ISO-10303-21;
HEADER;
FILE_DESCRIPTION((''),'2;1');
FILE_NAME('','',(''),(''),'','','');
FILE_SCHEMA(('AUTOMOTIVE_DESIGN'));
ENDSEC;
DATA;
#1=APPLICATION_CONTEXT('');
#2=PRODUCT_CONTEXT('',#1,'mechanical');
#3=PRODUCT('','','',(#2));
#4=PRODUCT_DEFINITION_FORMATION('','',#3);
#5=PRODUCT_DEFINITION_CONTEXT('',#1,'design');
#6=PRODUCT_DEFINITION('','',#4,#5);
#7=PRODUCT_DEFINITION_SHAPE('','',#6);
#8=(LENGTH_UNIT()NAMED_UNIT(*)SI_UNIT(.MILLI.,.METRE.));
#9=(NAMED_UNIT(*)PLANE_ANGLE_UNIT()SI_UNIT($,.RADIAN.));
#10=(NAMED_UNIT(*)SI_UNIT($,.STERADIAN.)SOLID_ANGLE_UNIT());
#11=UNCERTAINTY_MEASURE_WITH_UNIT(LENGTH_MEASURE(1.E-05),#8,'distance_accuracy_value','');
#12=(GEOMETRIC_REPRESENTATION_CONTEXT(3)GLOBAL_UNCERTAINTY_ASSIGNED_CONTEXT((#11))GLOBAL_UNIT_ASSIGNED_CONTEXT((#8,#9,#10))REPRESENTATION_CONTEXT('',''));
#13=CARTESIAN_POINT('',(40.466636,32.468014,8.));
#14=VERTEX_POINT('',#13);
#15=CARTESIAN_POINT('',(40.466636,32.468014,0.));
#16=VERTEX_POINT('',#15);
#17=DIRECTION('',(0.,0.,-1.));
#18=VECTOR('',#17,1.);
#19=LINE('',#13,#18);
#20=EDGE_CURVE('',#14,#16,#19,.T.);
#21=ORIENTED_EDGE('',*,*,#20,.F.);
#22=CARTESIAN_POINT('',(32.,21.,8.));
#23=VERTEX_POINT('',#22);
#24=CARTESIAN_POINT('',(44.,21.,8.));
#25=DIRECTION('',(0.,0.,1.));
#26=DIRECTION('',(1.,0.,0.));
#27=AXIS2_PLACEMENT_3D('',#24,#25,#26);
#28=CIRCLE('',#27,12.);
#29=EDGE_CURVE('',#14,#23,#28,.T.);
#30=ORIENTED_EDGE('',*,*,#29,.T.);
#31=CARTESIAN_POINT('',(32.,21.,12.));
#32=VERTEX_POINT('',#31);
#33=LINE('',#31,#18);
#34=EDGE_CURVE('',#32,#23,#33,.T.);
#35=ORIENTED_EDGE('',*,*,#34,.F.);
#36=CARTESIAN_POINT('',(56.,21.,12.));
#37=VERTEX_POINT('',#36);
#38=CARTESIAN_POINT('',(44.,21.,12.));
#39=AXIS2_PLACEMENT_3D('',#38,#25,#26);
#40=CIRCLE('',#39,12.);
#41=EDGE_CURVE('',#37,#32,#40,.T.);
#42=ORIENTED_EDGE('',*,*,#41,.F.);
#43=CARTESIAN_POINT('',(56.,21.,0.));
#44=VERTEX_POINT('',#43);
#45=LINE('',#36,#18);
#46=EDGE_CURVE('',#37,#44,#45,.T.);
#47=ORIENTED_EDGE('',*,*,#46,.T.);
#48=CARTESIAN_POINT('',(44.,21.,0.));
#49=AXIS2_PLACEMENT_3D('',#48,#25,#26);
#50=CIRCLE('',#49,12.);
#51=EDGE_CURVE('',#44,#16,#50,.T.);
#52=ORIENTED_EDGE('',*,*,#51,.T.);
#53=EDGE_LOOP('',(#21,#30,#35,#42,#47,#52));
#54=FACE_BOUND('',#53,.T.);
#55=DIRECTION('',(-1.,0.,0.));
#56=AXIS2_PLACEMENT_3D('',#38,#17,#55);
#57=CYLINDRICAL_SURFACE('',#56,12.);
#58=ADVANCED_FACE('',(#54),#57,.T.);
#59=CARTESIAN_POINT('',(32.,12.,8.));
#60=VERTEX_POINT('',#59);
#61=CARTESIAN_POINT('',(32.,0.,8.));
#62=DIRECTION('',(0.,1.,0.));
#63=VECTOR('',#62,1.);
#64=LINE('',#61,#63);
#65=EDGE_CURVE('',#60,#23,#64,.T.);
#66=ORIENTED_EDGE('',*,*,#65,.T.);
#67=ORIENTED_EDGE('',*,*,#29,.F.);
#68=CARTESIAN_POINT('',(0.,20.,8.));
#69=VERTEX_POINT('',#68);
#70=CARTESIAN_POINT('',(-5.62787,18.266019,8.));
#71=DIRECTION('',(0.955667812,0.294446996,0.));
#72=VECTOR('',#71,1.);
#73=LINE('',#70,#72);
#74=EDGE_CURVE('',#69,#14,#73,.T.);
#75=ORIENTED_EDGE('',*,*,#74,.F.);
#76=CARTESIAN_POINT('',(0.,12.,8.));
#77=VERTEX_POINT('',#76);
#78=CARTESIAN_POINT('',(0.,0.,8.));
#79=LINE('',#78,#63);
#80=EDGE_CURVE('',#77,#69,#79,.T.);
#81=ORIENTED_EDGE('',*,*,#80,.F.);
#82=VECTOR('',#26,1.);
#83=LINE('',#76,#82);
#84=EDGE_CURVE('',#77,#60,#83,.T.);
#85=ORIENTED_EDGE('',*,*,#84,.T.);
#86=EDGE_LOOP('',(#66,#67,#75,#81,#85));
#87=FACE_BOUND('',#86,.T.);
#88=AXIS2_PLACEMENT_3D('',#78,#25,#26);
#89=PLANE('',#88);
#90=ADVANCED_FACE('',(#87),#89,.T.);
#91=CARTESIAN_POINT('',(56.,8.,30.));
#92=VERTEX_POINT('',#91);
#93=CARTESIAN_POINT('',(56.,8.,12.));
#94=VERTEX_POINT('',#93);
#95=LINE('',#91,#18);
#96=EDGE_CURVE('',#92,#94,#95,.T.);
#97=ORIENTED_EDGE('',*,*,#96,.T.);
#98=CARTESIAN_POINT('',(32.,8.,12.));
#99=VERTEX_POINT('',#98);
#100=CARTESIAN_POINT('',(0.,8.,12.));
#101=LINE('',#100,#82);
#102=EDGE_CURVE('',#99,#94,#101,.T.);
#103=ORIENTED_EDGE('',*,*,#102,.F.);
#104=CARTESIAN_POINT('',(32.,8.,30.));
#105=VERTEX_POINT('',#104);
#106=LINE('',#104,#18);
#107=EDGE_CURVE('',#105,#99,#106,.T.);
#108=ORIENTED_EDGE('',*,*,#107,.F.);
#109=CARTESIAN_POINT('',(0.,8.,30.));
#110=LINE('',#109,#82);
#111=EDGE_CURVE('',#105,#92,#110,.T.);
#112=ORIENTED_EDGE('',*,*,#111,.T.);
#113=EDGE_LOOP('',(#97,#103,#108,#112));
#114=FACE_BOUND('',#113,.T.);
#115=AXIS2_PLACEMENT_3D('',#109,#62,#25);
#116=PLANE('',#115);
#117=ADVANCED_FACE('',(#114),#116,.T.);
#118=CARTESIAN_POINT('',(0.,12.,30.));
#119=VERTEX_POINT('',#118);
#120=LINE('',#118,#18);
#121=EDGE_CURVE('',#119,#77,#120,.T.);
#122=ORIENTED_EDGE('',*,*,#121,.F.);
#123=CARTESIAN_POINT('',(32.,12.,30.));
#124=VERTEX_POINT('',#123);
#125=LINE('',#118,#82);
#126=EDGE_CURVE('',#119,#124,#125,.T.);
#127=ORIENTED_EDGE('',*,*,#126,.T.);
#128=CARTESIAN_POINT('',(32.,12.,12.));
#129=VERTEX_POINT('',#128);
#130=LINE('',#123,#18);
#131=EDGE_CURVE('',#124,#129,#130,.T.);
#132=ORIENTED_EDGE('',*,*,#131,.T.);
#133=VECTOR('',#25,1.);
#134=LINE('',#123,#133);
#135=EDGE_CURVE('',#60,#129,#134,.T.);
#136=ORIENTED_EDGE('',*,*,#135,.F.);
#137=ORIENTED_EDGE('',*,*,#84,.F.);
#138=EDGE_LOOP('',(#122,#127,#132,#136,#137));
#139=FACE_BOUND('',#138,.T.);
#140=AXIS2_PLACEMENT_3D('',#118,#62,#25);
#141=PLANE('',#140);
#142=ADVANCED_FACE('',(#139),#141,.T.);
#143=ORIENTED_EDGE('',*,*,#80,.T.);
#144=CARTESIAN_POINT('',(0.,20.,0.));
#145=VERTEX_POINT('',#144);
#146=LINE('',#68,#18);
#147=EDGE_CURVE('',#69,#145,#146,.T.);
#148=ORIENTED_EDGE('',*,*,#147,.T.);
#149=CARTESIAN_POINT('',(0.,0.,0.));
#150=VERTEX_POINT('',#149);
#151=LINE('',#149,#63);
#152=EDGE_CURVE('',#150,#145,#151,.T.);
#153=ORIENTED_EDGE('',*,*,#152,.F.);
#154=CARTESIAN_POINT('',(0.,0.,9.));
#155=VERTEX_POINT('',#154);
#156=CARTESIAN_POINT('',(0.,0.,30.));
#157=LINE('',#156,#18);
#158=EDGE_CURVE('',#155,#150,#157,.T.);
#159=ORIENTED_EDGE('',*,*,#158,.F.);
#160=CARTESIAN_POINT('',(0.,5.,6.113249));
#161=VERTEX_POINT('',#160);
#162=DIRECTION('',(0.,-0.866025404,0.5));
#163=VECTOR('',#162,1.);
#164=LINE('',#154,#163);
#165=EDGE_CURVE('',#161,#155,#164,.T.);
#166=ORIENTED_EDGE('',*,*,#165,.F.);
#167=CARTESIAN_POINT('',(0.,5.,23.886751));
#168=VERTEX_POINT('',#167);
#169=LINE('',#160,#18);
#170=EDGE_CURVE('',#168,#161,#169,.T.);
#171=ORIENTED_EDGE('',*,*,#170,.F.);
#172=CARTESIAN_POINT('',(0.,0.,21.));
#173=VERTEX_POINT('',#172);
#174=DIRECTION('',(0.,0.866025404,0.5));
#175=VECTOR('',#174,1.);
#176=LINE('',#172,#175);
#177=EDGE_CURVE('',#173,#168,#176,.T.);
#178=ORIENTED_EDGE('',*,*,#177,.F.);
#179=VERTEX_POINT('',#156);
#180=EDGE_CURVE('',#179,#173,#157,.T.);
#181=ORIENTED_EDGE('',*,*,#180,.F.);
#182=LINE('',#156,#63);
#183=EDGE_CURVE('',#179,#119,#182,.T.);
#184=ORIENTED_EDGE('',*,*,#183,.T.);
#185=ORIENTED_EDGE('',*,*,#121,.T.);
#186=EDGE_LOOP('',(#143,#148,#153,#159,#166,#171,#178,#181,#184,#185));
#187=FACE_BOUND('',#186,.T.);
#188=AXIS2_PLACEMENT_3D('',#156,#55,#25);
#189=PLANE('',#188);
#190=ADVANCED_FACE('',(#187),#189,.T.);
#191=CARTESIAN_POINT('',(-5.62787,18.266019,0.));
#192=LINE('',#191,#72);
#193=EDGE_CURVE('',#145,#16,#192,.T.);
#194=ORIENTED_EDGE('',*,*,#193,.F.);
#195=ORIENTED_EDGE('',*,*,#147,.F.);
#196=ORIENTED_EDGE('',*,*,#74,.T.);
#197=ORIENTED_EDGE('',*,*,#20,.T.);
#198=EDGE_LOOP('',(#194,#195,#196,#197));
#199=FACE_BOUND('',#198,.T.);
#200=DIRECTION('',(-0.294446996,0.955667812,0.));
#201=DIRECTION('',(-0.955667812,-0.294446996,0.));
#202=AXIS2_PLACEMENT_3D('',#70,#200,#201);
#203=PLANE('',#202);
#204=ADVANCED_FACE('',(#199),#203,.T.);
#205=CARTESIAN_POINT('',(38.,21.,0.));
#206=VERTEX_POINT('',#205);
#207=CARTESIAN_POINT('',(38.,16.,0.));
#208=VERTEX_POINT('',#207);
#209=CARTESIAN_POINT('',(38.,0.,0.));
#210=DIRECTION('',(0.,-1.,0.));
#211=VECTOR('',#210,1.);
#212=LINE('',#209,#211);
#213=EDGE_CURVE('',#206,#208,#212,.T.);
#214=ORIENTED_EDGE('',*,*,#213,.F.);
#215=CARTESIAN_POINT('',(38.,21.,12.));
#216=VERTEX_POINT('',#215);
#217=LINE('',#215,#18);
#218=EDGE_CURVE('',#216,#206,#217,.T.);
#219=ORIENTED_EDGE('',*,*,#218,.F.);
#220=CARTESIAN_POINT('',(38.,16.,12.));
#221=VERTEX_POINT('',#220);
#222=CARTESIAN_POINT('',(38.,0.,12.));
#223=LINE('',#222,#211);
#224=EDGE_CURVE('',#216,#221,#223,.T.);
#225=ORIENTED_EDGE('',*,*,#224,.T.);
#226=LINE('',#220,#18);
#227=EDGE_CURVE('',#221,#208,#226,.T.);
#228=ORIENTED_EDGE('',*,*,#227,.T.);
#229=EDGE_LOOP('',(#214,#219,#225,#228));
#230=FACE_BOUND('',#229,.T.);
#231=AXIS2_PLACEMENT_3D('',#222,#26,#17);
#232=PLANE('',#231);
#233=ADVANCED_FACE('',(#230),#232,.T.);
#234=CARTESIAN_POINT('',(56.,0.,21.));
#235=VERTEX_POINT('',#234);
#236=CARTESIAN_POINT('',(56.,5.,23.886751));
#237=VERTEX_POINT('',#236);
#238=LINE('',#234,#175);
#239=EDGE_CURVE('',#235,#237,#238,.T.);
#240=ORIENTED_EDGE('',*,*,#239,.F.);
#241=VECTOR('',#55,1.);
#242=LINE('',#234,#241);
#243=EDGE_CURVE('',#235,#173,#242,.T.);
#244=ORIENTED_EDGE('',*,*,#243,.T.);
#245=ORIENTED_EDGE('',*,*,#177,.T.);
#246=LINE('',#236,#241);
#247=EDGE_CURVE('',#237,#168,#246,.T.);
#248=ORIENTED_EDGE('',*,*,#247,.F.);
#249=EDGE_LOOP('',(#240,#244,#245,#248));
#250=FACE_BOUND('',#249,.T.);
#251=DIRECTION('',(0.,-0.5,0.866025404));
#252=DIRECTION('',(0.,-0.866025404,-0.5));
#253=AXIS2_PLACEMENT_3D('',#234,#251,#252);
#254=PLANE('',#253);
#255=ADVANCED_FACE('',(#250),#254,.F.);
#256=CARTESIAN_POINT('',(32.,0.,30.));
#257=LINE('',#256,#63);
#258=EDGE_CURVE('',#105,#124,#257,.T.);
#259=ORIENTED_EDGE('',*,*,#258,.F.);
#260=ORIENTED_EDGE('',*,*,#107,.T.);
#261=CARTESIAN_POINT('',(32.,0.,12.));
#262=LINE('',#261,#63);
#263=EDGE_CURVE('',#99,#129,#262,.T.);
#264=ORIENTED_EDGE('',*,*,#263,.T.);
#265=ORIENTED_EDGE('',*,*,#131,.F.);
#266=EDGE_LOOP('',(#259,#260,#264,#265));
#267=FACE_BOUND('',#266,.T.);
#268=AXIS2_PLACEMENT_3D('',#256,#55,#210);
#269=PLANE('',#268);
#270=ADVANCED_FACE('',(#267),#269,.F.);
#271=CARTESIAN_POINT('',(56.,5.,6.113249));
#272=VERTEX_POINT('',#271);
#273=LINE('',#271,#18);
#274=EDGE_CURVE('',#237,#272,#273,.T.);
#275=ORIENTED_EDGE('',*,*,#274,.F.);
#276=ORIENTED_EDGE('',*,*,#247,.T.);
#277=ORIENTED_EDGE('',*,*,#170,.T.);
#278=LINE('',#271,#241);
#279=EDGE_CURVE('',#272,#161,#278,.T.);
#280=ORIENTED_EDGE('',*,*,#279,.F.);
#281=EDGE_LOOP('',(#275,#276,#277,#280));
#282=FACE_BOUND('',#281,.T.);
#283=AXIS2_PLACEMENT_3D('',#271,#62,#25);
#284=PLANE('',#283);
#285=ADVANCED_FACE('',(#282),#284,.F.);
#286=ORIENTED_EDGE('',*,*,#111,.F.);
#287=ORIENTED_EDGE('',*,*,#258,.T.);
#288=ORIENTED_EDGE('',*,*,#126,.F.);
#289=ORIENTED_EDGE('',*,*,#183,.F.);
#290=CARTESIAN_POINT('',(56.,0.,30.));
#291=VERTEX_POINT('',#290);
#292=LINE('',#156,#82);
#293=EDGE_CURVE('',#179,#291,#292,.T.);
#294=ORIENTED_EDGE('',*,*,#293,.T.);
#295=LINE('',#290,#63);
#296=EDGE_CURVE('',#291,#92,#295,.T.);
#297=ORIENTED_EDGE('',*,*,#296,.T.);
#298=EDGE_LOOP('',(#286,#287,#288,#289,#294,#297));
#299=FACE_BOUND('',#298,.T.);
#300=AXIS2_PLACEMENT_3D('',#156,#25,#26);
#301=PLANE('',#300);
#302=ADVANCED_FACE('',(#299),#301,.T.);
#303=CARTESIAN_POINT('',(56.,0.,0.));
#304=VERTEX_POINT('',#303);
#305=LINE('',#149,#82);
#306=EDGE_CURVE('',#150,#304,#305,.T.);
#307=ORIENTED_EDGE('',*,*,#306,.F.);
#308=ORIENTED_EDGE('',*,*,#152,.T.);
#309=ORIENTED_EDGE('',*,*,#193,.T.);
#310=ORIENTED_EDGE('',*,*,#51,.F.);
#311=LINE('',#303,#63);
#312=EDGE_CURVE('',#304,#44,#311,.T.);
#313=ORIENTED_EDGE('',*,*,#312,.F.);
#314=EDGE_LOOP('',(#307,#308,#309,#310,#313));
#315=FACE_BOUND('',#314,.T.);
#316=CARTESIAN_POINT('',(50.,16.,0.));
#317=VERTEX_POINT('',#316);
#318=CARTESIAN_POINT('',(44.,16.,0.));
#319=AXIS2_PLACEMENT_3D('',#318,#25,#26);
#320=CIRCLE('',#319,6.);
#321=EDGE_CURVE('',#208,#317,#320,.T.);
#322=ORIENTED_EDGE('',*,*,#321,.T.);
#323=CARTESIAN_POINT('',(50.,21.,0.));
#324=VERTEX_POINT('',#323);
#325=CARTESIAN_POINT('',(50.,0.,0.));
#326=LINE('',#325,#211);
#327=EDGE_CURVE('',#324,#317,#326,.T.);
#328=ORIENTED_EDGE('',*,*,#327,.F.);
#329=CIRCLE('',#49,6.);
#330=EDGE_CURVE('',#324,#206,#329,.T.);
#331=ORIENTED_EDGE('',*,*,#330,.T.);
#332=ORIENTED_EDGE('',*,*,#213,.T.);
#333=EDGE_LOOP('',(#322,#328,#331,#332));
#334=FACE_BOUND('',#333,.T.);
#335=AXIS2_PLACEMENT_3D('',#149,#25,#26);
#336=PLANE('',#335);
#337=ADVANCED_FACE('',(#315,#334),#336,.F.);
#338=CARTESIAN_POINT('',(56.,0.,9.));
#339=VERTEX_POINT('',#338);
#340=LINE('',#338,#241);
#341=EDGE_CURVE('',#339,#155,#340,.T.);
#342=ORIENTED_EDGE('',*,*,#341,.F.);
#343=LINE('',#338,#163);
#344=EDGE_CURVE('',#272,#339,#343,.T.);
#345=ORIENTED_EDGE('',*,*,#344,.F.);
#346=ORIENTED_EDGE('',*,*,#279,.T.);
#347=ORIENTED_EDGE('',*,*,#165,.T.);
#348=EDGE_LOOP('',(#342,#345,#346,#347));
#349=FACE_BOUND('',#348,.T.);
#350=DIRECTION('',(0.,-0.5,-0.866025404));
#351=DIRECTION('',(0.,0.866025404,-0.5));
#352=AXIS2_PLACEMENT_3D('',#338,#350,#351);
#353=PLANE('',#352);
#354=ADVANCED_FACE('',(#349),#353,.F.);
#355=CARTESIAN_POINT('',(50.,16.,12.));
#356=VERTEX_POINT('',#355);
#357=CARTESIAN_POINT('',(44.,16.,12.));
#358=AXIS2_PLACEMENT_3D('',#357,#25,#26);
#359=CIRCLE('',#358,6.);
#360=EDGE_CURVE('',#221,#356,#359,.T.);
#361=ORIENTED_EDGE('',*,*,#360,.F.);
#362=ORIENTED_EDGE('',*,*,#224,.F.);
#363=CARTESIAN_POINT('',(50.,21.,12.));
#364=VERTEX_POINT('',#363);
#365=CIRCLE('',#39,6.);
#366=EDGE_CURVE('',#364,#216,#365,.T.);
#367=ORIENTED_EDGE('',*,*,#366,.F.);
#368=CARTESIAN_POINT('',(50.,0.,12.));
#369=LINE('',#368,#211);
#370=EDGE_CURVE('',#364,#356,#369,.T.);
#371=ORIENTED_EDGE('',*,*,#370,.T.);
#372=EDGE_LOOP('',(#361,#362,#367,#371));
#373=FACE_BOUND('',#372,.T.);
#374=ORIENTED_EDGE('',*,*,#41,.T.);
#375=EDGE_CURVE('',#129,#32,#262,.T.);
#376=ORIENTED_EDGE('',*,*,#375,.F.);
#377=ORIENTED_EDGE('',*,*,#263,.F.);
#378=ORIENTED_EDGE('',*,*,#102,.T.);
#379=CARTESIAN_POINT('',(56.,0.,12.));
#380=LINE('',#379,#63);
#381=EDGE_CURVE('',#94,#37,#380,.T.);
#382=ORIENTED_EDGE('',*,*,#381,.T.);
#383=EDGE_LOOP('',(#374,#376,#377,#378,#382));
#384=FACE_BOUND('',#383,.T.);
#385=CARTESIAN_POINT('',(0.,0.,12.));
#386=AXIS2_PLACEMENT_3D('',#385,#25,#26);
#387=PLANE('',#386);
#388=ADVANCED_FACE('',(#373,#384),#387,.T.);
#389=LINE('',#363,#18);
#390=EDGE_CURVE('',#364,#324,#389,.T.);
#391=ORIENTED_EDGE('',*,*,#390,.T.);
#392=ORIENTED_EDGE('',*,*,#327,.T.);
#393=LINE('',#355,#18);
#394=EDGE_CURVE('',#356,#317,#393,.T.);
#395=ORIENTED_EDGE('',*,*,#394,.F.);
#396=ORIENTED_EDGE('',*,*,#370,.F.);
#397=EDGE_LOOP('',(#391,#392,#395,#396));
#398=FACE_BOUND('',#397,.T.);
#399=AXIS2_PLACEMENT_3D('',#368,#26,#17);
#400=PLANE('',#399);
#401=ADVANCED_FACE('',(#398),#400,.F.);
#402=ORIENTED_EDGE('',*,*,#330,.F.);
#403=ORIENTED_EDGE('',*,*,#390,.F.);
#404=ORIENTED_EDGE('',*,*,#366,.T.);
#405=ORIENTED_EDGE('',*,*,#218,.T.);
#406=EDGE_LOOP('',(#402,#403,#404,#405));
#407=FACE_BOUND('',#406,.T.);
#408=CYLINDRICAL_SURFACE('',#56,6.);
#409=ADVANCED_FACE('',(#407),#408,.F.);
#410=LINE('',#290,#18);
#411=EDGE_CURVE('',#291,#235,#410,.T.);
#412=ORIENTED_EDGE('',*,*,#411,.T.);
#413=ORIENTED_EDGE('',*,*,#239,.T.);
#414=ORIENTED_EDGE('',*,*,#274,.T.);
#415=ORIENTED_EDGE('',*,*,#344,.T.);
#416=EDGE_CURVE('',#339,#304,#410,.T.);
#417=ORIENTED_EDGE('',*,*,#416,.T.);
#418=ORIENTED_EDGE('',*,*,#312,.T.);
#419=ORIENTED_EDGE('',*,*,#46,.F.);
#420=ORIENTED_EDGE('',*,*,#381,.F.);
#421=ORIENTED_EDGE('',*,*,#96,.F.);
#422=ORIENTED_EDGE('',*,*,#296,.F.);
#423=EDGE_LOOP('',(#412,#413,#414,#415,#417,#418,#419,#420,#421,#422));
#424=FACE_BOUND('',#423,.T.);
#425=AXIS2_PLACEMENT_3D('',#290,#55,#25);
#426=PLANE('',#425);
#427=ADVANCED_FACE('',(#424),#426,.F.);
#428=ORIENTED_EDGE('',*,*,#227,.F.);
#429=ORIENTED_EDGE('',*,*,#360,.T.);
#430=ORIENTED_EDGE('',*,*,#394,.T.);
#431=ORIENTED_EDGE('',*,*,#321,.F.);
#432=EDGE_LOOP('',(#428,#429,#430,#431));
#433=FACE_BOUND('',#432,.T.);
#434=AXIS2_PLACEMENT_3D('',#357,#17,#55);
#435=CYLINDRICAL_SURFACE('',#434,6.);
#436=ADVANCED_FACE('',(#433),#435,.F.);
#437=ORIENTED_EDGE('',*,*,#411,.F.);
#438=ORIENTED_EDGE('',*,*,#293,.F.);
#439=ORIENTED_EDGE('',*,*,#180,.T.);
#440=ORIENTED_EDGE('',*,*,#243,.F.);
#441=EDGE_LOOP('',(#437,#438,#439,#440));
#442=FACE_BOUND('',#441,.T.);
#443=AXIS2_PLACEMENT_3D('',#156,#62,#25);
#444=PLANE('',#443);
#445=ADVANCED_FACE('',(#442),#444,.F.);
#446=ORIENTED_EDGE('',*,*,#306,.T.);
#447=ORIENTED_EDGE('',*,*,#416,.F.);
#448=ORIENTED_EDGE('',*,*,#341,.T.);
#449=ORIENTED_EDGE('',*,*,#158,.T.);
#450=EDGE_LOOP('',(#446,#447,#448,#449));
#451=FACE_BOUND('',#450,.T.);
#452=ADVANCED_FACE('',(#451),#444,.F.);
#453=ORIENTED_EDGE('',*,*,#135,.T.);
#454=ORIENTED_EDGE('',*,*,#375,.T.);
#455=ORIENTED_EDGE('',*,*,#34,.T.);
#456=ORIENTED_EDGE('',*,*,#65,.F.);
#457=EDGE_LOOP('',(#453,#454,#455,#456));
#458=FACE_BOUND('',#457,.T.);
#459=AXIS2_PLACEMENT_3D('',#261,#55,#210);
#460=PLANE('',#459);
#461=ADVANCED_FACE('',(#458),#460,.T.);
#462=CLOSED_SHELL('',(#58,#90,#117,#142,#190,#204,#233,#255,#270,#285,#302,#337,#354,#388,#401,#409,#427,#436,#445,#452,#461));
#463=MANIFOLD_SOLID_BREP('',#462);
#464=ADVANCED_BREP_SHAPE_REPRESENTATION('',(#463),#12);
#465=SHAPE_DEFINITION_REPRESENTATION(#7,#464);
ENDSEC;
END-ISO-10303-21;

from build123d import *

# Parameters (mm, degrees)
EXTRUDE_1_DEPTH     = 30
EXTRUDE_2_DEPTH     = 8
EXTRUDE_3_DEPTH     = 12
CUT_EXTRUDE_1_DEPTH = 72.589105316


with BuildPart() as part:
    # 草图1 → 凸台-拉伸1 (new body)
    with BuildSketch(Plane.XY):
        Polygon((0, 12), (0, 0), (56, 0), (56, 8), (32, 8), (32, 12), align=None)
    extrude(amount=EXTRUDE_1_DEPTH)

    # 草图1<4> → 凸台-拉伸2 (add)
    with BuildSketch(Plane.XY):
        with BuildLine():
            Line((0, 20), (0, 12))
            Line((0, 12), (32, 12))
            Line((32, 12), (32, 21))
            ThreePointArc((32, 21), (34.345975777, 28.127398986), (40.466636051, 32.468013743))
            Line((40.466636051, 32.468013743), (0, 20))
        make_face()
    extrude(amount=EXTRUDE_2_DEPTH)

    # 草图1<5> → 凸台-拉伸3 (add)
    with BuildSketch(Plane.XY):
        with BuildLine():
            Line((32, 8), (56, 8))
            Line((56, 8), (56, 21))
            ThreePointArc((56, 21), (51.127398986, 30.654024223), (40.466636051, 32.468013743))
            ThreePointArc((40.466636051, 32.468013743), (34.345975777, 28.127398986), (32, 21))
            Line((32, 21), (32, 12))
            Line((32, 12), (32, 8))
        make_face()
        with BuildLine():
            ThreePointArc((38, 21), (44, 27), (50, 21))
            Line((50, 21), (50, 16))
            ThreePointArc((50, 16), (44, 10), (38, 16))
            Line((38, 16), (38, 21))
        make_face(mode=Mode.SUBTRACT)
    extrude(amount=EXTRUDE_3_DEPTH)

    # 草图5 → 切除-拉伸1 (cut, through all)
    with BuildSketch(Plane.ZY):
        Polygon((9, 0), (6.113248654, 5), (23.886751346, 5), (21, 0), align=None)
    extrude(amount=-CUT_EXTRUDE_1_DEPTH, mode=Mode.SUBTRACT)


solid = part.part
